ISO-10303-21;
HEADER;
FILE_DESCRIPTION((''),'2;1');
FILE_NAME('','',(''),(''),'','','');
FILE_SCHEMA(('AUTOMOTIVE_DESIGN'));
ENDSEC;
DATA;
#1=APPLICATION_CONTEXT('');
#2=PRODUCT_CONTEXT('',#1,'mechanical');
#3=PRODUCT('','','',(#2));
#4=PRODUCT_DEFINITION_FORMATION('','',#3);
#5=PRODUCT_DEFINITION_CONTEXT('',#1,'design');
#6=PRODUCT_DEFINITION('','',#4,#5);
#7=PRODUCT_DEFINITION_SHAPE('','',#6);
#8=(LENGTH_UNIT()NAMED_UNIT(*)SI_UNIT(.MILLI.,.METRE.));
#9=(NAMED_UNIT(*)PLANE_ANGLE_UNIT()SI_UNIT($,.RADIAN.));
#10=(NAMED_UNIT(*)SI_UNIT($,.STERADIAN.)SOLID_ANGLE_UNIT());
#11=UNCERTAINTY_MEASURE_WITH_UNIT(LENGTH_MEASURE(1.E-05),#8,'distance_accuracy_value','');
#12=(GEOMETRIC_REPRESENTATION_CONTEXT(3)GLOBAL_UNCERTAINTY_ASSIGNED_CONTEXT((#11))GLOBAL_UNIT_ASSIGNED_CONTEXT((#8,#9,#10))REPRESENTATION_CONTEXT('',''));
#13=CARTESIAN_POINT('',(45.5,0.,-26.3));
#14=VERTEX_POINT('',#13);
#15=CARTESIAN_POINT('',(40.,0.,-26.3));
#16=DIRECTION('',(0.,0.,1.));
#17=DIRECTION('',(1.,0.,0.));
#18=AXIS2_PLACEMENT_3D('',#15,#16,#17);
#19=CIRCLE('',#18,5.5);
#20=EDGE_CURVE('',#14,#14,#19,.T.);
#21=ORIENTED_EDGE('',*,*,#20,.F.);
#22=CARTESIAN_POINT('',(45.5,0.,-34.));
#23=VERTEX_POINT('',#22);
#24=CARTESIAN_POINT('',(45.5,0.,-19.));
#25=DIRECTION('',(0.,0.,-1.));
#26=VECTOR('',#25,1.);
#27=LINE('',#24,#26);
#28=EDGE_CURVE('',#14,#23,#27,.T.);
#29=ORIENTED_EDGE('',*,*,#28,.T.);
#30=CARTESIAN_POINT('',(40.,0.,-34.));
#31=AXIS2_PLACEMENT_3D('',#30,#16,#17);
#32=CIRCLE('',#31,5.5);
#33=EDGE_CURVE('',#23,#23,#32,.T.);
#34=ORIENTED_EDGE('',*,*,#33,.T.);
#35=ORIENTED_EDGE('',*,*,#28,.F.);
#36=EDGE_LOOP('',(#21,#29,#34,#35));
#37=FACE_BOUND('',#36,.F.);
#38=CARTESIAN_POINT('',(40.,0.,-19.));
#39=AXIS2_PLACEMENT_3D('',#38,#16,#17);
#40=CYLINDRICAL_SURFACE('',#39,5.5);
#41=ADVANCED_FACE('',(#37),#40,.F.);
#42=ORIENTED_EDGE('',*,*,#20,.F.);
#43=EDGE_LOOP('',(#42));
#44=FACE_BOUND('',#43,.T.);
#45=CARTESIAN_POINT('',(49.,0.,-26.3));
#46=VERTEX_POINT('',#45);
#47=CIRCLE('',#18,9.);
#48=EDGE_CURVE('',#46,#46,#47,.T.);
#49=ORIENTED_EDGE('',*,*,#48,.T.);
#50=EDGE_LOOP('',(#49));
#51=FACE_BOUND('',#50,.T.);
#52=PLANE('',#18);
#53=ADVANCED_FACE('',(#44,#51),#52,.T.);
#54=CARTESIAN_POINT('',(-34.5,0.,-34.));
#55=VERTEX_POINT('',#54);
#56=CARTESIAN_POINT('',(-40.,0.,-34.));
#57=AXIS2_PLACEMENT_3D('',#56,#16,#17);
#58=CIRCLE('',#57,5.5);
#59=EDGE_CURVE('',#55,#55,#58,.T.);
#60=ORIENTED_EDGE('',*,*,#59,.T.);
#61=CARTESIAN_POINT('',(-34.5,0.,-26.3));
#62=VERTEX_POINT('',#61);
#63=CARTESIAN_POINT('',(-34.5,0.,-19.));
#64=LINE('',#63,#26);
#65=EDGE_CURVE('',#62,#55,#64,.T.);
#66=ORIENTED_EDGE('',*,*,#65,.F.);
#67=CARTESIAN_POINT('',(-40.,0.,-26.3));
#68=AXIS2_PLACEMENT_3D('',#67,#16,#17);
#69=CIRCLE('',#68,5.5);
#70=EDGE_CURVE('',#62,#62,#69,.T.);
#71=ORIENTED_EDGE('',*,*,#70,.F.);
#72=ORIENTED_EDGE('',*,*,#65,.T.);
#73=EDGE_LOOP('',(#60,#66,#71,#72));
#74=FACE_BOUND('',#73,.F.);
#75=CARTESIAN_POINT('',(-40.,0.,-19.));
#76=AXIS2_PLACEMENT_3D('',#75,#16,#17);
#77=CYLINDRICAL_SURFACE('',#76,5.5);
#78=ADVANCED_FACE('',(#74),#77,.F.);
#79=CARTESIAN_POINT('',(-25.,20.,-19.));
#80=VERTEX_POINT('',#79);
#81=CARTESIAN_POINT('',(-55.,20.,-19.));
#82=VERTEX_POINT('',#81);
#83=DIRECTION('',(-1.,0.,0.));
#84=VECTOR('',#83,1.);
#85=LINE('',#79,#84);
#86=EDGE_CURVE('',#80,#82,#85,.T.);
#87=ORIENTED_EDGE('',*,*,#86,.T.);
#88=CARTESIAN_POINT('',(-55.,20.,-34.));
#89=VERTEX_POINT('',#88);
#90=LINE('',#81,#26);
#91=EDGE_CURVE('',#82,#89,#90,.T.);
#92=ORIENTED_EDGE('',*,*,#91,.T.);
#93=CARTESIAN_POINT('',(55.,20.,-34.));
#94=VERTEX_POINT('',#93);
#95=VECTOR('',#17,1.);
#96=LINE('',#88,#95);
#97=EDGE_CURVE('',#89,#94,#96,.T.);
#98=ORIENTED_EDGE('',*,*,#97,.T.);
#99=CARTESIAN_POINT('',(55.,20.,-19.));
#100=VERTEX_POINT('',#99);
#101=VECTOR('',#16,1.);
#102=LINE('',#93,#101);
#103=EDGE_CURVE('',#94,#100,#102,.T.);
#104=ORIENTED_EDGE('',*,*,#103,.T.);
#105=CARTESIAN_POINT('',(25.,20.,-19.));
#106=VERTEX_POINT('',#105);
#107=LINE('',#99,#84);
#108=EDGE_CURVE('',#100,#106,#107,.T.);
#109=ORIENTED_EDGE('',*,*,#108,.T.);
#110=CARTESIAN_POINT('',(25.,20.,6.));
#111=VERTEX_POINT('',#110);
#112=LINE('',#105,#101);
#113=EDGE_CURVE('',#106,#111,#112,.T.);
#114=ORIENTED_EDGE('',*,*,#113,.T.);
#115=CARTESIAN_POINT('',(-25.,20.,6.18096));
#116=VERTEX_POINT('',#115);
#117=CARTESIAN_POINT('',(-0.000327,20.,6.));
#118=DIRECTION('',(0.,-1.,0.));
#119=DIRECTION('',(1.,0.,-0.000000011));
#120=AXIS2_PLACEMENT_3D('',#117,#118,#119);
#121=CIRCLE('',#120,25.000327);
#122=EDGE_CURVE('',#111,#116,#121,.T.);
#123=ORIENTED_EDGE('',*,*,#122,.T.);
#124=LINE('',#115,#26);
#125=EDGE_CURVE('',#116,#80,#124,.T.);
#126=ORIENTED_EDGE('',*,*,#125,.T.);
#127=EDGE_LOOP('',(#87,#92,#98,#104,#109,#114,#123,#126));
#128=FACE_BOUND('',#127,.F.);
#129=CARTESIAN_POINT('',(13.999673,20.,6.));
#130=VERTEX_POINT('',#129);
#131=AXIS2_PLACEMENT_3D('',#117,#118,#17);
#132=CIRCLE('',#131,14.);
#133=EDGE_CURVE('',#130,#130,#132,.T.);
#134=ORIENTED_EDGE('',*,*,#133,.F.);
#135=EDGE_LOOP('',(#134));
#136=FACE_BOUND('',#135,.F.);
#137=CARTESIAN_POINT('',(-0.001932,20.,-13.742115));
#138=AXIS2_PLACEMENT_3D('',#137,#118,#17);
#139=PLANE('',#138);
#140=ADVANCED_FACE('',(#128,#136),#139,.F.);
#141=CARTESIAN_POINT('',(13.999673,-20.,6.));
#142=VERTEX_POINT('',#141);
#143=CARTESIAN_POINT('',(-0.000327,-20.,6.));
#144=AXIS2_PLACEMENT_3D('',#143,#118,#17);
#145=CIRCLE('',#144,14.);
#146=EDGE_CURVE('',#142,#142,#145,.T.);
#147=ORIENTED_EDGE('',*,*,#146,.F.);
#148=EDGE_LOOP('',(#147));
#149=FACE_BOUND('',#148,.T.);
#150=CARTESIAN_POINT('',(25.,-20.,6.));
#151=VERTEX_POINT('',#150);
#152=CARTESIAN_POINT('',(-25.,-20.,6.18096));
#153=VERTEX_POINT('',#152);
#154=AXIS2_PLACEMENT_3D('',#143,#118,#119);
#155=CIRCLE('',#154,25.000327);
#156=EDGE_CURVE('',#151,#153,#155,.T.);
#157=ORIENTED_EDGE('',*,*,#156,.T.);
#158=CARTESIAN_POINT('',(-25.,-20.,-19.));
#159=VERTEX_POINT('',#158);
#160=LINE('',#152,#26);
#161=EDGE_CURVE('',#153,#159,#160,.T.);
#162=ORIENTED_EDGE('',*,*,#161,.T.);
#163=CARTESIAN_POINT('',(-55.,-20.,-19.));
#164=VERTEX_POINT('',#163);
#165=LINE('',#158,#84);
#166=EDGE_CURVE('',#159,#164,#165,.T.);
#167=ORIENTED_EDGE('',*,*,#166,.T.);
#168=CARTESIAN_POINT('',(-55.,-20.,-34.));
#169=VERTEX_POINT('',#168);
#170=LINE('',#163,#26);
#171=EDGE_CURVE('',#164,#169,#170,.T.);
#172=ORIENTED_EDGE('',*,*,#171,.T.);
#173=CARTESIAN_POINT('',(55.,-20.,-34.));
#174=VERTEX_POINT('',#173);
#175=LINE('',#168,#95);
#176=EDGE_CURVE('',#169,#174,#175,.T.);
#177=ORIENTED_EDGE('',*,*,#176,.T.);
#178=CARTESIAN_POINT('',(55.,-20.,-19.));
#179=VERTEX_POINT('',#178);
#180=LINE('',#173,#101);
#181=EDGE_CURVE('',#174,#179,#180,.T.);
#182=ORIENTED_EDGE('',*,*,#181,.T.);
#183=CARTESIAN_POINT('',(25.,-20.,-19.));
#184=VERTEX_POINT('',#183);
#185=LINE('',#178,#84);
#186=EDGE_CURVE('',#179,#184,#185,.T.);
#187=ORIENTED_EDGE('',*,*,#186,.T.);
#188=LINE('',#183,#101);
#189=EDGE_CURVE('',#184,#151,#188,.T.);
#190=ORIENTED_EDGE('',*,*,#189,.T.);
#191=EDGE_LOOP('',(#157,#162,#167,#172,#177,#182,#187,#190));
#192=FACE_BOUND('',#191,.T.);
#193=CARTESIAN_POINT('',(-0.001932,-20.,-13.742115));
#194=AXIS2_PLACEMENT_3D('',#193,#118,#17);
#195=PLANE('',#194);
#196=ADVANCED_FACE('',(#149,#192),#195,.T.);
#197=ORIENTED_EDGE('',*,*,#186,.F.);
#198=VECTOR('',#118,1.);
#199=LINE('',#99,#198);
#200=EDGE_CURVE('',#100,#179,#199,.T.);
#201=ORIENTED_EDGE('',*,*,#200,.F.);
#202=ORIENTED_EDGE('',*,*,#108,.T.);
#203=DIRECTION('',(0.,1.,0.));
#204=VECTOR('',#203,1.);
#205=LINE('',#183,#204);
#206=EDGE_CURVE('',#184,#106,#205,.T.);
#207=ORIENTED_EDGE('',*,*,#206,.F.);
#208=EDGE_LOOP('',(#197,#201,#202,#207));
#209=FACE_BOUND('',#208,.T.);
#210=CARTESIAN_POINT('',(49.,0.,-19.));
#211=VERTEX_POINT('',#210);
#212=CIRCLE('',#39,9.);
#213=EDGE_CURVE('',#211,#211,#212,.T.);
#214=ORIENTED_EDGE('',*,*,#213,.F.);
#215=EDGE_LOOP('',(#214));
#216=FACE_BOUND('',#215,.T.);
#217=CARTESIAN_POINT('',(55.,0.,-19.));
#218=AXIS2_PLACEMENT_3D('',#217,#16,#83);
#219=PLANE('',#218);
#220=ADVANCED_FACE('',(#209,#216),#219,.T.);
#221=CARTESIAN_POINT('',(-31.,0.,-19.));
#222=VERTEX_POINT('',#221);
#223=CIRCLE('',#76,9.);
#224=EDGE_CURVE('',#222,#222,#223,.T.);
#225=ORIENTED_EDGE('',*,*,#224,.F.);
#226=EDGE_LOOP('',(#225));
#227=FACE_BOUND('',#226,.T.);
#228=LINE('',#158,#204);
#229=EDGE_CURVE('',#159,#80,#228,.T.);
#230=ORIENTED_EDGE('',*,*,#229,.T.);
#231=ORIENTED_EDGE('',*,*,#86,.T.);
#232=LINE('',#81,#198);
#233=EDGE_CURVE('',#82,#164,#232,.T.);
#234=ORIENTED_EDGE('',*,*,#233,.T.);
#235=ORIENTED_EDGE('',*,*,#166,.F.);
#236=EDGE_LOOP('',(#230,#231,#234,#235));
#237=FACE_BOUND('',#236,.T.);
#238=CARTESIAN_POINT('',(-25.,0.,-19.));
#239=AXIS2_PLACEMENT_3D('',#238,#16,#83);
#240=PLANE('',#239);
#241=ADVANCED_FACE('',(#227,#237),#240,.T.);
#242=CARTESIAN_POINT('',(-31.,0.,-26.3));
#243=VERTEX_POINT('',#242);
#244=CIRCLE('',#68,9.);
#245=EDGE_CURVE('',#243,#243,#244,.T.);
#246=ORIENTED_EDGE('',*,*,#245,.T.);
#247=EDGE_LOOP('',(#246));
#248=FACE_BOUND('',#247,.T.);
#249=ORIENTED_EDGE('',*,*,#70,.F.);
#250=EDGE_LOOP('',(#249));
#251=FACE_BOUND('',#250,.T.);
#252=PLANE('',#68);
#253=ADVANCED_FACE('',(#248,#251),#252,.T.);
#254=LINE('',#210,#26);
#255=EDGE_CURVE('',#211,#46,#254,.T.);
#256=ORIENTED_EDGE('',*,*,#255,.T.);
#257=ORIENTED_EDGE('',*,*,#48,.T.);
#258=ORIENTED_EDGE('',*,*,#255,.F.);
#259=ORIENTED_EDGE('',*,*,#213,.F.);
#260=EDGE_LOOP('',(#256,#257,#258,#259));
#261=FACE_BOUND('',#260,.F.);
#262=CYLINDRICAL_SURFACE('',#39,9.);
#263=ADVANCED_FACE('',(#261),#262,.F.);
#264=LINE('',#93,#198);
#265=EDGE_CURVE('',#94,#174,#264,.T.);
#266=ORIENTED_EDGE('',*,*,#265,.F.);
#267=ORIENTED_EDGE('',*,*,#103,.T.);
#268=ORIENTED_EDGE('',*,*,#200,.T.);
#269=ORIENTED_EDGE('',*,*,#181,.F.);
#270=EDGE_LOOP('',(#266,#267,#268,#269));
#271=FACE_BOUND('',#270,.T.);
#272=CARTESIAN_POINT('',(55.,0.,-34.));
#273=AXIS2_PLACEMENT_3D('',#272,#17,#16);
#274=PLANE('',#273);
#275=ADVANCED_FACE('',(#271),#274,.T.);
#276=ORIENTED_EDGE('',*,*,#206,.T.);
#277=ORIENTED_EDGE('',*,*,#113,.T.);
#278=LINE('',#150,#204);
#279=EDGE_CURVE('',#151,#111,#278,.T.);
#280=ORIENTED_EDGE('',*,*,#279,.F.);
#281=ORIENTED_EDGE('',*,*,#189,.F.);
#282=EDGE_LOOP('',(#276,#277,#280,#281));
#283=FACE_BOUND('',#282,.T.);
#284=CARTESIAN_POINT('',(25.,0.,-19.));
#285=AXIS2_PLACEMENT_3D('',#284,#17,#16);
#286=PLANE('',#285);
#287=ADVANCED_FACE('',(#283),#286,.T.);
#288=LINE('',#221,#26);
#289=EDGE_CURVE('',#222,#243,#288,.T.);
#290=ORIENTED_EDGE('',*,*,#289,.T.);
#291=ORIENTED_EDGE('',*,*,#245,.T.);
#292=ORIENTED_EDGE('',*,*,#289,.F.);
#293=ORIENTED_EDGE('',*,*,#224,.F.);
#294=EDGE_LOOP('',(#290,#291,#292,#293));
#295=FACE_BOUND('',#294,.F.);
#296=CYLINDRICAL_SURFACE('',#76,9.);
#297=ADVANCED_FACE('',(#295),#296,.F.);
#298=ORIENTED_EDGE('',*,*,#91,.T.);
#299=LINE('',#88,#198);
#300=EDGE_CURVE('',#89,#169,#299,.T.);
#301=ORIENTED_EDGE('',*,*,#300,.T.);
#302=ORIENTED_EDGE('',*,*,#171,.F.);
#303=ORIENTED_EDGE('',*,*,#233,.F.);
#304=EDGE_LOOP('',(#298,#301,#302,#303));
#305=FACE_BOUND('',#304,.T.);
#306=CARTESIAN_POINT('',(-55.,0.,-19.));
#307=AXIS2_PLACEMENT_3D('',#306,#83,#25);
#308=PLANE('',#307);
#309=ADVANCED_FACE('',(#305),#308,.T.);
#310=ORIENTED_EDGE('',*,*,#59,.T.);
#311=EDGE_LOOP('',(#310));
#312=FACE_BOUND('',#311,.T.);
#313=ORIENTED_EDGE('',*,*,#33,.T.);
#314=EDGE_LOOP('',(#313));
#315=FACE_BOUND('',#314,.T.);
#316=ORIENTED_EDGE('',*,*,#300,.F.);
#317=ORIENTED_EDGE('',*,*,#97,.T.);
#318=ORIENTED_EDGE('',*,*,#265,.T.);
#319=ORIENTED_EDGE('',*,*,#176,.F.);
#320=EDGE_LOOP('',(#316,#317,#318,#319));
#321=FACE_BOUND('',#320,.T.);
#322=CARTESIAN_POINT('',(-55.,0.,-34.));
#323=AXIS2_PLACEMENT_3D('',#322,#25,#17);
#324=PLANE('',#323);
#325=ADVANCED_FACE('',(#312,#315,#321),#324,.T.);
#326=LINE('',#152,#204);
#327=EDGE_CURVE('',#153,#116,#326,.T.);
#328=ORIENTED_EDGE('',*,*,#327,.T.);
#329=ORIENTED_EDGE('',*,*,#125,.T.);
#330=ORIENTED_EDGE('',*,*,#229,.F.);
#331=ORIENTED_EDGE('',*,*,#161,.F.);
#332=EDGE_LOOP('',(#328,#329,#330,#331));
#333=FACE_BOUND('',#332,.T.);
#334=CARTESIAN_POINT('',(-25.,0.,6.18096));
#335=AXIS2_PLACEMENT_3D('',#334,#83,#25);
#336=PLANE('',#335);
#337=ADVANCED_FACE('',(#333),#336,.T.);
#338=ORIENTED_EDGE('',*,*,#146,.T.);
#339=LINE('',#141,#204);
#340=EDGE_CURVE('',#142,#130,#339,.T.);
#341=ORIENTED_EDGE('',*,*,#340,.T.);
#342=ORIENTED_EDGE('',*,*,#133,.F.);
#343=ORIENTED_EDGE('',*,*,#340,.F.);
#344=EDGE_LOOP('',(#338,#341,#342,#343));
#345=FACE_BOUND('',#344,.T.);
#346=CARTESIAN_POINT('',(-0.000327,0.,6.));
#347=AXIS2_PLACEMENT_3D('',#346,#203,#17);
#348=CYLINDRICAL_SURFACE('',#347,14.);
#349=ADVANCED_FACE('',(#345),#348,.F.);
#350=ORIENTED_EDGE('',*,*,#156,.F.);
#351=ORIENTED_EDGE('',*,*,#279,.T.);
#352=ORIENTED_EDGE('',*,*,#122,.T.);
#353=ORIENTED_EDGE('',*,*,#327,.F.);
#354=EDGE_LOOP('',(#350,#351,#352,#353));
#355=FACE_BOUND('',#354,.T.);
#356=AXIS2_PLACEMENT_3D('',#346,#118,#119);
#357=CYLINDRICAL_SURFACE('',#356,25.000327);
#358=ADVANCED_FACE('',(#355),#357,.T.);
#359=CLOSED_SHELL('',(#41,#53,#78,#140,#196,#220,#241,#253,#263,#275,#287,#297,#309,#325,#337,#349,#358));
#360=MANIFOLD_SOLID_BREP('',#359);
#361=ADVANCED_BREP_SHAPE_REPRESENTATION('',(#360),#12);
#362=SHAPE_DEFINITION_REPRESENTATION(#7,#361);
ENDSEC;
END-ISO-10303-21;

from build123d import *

# Parameters (mm, degrees)
F0_R     = 14
F1_DEPTH = 20
F2_R     = 5.5
F3_DEPTH = 15
F2_R_2   = 9
F4_DEPTH = 7.3
F5_R     = 5.5
F6_DEPTH = 15
F5_R_2   = 9
F7_DEPTH = 7.3


with BuildPart() as f1:
    # F0 (on Front) → F1 (new body, symmetric)
    with BuildSketch(Plane.XZ):
        with BuildLine():
            Line((-25, -19), (-55, -19))
            Line((-55, -19), (-55, -34))
            Line((-55, -34), (55, -34))
            Line((55, -34), (55, -19))
            Line((55, -19), (25, -19))
            Line((25, -19), (25, 6))
            ThreePointArc((25, 6), (0.090153, 31.000164), (-25, 6.18096))
            Line((-25, 6.18096), (-25, -19))
        make_face()
        with Locations((-0.000327, 6)):
            Circle(F0_R, mode=Mode.SUBTRACT)
    extrude(amount=F1_DEPTH, both=True)

    # F2 (on face) → F3 (cut)
    with BuildSketch(Plane.XY.offset(-19)):
        with Locations((-40, 0)):
            Circle(F2_R)
    extrude(amount=-F3_DEPTH, mode=Mode.SUBTRACT)

    # F2 (on face) → F4 (cut)
    with BuildSketch(Plane.XY.offset(-19)):
        with Locations((-40, 0)):
            Circle(F2_R_2)
        with Locations((-40, 0)):
            Circle(F2_R, mode=Mode.SUBTRACT)
    extrude(amount=-F4_DEPTH, mode=Mode.SUBTRACT)

    # F5 (on face) → F6 (cut)
    with BuildSketch(Plane.XY.offset(-19)):
        with Locations((40, 0)):
            Circle(F5_R)
    extrude(amount=-F6_DEPTH, mode=Mode.SUBTRACT)

    # F5 (on face) → F7 (cut)
    with BuildSketch(Plane.XY.offset(-19)):
        with Locations((40, 0)):
            Circle(F5_R_2)
        with Locations((40, 0)):
            Circle(F5_R, mode=Mode.SUBTRACT)
    extrude(amount=-F7_DEPTH, mode=Mode.SUBTRACT)


solid = f1.part
